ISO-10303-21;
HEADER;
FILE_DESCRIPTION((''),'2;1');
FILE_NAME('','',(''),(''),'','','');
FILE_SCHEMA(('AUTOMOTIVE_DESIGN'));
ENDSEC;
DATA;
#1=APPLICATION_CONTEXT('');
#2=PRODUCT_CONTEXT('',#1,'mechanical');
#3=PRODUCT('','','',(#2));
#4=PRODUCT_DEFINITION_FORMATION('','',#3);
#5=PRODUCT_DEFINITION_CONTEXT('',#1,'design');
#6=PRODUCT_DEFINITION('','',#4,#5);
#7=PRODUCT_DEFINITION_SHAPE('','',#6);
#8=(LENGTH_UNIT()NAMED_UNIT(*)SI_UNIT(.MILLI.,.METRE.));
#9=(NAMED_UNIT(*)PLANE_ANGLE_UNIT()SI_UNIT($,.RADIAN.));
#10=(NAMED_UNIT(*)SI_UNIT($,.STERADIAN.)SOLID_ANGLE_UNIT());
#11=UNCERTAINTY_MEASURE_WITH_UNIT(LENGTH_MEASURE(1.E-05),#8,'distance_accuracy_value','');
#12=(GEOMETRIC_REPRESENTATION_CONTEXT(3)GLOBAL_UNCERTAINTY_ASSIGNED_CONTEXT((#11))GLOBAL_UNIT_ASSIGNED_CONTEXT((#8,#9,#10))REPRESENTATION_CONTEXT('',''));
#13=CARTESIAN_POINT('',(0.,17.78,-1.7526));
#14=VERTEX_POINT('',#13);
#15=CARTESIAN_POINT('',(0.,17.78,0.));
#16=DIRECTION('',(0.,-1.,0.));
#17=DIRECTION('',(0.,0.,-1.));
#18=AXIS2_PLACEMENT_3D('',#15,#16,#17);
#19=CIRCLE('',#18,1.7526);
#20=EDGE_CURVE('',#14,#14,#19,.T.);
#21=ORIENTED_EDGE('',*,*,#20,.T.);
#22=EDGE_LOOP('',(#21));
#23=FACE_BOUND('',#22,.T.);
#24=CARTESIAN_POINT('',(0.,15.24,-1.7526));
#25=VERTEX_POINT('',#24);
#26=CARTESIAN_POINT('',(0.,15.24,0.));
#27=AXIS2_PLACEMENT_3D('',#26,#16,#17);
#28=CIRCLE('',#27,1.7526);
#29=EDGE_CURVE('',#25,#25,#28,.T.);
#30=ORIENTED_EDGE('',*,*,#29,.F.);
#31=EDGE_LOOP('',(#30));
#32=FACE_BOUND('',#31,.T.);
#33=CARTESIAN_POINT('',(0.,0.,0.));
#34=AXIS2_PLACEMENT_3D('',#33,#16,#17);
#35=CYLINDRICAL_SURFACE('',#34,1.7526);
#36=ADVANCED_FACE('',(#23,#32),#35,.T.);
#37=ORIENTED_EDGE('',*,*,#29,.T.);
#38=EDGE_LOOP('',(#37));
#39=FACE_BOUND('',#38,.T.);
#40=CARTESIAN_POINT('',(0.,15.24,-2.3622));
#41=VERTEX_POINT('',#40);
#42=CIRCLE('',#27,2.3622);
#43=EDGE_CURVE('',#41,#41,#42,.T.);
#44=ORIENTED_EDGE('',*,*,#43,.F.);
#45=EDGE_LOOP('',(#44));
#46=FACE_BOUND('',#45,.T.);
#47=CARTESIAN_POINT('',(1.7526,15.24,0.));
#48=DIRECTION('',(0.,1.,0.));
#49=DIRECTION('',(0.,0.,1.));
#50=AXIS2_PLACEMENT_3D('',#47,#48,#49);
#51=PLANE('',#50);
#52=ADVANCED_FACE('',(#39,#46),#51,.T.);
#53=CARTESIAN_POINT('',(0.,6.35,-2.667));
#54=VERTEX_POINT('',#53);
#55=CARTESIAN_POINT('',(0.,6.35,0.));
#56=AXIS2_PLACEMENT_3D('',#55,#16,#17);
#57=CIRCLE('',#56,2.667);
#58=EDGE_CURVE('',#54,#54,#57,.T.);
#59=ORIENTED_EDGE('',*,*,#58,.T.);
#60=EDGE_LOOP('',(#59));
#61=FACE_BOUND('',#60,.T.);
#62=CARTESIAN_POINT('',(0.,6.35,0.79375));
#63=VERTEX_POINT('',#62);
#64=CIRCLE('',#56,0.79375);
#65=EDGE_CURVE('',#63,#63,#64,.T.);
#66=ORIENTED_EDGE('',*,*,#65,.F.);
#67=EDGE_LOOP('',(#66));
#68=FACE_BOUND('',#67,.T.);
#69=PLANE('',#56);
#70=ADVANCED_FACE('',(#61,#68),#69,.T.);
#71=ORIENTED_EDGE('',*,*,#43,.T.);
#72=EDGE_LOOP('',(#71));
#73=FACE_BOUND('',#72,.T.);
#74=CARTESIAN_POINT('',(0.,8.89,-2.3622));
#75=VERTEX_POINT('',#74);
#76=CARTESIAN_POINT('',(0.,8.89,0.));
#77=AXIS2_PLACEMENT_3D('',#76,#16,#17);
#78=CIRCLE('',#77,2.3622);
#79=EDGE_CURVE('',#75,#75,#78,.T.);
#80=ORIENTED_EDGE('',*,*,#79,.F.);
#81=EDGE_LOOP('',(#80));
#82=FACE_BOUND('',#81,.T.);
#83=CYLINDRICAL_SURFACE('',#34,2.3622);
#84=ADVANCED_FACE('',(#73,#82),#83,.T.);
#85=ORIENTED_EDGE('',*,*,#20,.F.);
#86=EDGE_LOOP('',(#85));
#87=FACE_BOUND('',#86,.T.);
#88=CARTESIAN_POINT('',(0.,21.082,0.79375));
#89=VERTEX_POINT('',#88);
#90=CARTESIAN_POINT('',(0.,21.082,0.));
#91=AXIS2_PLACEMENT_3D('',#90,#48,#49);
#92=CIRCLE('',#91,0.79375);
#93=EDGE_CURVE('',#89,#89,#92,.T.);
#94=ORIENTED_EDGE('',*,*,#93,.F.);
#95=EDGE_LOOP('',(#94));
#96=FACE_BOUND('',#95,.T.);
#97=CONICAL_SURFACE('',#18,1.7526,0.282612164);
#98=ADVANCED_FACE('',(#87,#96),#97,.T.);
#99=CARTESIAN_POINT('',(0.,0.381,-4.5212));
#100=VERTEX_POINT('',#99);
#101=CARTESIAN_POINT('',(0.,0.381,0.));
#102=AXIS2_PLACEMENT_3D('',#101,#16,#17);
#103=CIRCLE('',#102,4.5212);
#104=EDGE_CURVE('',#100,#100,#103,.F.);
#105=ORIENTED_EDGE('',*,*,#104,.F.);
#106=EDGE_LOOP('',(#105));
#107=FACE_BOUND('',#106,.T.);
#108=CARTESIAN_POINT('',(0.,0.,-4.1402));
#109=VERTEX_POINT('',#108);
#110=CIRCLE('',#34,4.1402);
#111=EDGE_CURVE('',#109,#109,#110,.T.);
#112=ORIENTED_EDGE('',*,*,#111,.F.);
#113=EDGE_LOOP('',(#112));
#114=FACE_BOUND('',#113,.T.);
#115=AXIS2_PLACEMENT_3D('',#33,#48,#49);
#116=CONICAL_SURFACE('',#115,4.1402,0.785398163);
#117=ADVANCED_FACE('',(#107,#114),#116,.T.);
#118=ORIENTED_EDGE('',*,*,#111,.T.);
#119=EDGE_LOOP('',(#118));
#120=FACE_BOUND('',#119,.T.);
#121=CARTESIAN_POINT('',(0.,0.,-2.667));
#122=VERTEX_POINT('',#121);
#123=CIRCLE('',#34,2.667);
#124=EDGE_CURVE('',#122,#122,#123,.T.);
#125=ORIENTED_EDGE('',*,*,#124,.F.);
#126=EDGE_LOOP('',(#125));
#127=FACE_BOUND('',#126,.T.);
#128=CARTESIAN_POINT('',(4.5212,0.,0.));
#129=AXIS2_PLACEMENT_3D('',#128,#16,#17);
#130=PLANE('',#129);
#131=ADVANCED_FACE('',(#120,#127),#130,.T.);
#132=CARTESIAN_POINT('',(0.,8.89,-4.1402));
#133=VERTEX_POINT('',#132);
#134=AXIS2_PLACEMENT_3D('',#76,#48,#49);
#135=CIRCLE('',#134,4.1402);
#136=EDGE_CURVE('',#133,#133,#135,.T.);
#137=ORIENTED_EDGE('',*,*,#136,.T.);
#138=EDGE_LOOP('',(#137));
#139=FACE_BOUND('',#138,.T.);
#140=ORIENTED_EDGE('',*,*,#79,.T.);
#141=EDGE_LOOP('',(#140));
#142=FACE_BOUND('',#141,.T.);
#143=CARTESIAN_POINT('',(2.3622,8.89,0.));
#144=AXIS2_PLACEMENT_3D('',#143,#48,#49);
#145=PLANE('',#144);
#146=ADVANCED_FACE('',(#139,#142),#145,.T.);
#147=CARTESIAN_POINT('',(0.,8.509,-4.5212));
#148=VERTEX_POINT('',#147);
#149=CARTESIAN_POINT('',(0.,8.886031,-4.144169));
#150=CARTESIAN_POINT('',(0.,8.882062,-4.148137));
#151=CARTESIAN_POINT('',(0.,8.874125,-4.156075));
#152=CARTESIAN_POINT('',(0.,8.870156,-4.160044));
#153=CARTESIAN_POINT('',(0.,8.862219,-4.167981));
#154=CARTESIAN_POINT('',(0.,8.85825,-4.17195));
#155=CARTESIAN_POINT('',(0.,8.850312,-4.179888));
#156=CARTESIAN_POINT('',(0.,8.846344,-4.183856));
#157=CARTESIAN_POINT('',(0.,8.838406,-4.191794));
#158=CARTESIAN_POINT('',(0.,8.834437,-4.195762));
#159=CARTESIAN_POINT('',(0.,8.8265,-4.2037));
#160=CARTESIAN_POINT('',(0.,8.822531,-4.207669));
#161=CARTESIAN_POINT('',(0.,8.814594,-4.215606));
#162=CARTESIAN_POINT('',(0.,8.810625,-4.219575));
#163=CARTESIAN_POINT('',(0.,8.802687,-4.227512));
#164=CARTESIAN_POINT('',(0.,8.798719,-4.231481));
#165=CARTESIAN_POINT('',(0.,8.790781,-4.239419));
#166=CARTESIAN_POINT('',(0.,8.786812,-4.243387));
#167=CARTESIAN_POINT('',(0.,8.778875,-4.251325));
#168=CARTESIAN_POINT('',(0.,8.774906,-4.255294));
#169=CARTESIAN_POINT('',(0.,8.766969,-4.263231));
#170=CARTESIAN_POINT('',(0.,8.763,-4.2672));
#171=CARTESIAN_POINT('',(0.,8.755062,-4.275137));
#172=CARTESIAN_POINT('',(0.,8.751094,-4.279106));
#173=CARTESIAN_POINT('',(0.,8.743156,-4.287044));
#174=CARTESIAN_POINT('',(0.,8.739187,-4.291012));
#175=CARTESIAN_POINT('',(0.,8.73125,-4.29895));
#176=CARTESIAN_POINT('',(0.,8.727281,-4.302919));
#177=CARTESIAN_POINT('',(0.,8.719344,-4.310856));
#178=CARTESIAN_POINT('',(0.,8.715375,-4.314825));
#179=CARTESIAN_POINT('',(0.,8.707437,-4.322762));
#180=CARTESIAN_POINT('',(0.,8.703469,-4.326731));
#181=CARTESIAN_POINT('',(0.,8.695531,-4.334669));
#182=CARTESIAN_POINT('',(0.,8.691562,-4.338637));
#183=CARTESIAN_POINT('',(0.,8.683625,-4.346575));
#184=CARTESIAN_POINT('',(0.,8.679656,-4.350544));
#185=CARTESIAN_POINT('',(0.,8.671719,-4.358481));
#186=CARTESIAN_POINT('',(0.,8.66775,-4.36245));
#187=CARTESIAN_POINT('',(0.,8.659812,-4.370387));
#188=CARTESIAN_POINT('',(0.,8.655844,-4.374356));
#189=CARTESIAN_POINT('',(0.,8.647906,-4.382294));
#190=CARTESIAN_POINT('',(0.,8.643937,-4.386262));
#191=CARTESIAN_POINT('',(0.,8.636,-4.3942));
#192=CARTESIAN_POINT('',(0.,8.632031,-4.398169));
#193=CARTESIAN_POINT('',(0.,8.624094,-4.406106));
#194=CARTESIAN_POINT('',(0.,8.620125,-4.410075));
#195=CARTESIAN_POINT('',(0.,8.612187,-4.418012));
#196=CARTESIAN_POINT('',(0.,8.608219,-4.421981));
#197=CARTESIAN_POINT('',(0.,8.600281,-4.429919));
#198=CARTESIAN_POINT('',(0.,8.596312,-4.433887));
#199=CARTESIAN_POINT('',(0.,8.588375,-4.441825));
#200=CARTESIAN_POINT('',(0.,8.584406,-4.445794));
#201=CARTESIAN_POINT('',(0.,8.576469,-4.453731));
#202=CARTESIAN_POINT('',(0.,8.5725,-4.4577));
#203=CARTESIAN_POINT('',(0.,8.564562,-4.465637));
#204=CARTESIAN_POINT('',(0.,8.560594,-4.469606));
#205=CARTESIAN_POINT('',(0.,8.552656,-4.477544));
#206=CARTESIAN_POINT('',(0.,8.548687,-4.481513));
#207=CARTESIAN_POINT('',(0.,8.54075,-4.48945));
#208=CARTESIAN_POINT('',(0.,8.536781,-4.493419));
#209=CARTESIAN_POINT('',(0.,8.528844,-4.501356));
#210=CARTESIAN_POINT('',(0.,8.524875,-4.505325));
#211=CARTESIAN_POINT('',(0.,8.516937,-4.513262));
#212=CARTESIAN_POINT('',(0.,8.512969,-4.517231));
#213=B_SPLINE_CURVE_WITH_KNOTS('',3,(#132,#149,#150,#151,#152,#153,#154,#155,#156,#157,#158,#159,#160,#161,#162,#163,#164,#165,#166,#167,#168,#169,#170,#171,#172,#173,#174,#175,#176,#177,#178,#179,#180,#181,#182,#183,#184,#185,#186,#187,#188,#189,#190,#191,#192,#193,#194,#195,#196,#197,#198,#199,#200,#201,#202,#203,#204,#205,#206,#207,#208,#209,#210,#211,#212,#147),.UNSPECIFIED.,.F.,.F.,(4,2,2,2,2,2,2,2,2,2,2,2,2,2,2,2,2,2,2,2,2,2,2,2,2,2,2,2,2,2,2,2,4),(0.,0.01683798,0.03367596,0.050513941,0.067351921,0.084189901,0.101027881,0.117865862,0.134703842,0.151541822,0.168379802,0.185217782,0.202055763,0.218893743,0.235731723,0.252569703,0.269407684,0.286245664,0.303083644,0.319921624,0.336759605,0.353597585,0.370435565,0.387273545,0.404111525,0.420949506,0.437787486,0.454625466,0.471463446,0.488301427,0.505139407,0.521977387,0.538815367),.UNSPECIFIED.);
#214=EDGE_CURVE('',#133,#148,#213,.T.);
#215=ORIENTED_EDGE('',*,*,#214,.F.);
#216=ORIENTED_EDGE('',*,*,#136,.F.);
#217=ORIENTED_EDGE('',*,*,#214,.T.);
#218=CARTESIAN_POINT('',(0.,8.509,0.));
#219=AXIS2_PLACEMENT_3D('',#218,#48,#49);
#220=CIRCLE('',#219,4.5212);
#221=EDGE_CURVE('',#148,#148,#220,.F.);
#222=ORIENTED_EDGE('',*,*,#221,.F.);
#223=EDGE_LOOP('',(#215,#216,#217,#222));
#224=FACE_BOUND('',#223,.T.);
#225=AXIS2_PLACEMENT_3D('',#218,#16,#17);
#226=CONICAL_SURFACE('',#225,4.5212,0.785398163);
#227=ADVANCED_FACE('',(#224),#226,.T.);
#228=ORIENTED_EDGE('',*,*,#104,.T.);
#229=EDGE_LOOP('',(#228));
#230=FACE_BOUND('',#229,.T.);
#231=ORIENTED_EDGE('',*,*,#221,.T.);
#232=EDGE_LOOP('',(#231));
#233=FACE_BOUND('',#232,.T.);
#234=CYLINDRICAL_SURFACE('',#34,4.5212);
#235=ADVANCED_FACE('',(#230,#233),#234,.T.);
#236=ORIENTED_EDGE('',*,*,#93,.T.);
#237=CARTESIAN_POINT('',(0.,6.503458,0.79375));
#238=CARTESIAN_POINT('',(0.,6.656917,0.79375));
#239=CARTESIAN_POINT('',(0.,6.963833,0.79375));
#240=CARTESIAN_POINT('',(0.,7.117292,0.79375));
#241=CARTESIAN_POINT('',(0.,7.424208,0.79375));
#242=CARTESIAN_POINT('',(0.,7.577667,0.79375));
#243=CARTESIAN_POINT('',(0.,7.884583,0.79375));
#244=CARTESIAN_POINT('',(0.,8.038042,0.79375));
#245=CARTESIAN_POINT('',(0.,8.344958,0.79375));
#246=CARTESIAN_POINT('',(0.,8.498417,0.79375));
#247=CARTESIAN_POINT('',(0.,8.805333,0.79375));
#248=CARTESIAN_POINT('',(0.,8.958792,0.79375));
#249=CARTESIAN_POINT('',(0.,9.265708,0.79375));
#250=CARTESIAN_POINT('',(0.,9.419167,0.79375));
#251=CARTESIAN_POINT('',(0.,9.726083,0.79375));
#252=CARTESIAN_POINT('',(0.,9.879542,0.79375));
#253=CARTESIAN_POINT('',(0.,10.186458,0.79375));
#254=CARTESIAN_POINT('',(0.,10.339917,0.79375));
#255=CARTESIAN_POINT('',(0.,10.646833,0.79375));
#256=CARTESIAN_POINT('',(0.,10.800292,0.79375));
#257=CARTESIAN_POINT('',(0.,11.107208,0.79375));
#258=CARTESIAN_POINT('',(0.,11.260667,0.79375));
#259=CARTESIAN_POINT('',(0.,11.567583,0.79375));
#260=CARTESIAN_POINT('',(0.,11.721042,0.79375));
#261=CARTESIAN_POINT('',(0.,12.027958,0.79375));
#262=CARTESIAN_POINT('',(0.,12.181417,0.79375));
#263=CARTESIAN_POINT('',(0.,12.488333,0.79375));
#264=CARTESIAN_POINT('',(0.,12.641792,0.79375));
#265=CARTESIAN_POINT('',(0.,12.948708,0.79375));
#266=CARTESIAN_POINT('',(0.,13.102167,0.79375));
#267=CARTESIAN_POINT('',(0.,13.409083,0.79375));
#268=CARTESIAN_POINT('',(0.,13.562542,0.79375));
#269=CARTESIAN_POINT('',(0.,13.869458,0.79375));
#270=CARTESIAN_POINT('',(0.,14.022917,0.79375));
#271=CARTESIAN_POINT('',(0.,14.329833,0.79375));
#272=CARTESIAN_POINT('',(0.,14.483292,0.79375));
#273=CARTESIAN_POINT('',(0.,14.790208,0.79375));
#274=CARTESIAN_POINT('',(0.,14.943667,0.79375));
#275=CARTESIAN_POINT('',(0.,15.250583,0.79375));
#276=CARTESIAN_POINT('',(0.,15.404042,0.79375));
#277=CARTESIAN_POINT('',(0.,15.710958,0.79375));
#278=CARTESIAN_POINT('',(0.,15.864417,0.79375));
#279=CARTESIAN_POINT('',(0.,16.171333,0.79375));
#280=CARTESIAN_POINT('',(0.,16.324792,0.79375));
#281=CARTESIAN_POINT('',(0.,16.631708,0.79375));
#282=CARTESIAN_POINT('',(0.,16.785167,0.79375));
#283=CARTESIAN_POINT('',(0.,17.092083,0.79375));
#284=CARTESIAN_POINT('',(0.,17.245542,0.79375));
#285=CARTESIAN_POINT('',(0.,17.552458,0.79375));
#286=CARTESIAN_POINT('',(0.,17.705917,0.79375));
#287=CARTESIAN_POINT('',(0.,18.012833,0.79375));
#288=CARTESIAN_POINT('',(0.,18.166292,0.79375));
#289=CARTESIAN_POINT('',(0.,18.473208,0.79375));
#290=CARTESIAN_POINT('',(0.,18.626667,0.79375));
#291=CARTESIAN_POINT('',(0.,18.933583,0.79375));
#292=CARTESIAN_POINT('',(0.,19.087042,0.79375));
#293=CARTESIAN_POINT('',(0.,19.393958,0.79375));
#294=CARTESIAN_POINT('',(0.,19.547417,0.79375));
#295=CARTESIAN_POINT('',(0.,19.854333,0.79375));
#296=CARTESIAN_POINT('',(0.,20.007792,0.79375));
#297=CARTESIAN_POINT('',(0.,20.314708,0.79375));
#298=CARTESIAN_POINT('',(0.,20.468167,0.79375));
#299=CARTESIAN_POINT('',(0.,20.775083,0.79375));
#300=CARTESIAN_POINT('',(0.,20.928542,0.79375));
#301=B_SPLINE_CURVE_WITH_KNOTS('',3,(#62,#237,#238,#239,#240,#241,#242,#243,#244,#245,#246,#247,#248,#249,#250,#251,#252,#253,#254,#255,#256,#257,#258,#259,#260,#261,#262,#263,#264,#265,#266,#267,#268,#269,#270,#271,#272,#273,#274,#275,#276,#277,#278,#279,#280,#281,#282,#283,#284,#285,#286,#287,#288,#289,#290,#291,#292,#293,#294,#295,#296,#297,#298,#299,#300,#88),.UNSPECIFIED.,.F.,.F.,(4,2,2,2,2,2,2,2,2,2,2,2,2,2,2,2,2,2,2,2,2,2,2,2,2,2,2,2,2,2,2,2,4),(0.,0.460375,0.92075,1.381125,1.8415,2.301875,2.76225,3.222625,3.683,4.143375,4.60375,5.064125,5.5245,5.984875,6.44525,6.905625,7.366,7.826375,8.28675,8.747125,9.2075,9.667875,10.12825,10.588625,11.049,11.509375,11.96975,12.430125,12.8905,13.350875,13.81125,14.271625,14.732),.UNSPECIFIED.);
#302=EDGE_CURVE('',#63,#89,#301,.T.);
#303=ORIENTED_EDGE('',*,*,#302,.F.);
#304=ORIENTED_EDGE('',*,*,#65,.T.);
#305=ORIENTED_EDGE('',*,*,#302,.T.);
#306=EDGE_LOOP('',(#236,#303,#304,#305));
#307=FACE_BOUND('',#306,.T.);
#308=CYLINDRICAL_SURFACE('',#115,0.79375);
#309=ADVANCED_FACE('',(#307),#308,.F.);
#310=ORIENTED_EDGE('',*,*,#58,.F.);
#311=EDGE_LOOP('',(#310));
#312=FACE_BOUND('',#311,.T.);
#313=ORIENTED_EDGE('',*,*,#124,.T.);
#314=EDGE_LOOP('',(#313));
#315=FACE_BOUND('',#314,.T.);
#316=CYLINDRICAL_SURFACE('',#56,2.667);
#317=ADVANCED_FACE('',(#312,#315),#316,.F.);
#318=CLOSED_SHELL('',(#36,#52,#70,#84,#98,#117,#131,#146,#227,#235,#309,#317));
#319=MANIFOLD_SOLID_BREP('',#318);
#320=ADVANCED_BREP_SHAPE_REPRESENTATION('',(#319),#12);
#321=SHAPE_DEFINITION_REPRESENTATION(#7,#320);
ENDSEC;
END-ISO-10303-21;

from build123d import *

# Parameters (mm, degrees)
CHAMFER1_SIZE      = 0.381
SKETCH2_R          = 2.667
CUT_EXTRUDE1_DEPTH = 6.35
SKETCH3_R          = 0.79375
CUT_EXTRUDE2_DEPTH = 23.030279682


with BuildPart() as part:
    # Sketch1 → Revolve1 (revolve)
    with BuildSketch(Plane.XY):
        Polygon((0, 21.082), (0.79375, 21.082), (1.7526, 17.78), (1.7526, 15.24), (2.3622, 15.24), (2.3622, 8.89), (4.5212, 8.89), (4.5212, 0), (0, 0), align=None)
    revolve(axis=Axis((0, 0, 0), (0, 1, 0)))

    # Chamfer1
    chamfer1_edges = [part.edges().sort_by_distance(p)[0] for p in [
        (-4.5212, 0, 0),
        (-4.5212, 8.89, 0),
    ]]
    chamfer(chamfer1_edges, length=CHAMFER1_SIZE)

    # Sketch2 → Cut-Extrude1 (cut)
    with BuildSketch(Plane.XZ):
        Circle(SKETCH2_R)
    extrude(amount=-CUT_EXTRUDE1_DEPTH, mode=Mode.SUBTRACT)

    # Sketch3 → Cut-Extrude2 (cut, through all)
    with BuildSketch(Plane(origin=(0, 21.082, 0), x_dir=(1, 0, 0), z_dir=(0, 1, 0))):
        Circle(SKETCH3_R)
    extrude(amount=-CUT_EXTRUDE2_DEPTH, mode=Mode.SUBTRACT)


solid = part.part
